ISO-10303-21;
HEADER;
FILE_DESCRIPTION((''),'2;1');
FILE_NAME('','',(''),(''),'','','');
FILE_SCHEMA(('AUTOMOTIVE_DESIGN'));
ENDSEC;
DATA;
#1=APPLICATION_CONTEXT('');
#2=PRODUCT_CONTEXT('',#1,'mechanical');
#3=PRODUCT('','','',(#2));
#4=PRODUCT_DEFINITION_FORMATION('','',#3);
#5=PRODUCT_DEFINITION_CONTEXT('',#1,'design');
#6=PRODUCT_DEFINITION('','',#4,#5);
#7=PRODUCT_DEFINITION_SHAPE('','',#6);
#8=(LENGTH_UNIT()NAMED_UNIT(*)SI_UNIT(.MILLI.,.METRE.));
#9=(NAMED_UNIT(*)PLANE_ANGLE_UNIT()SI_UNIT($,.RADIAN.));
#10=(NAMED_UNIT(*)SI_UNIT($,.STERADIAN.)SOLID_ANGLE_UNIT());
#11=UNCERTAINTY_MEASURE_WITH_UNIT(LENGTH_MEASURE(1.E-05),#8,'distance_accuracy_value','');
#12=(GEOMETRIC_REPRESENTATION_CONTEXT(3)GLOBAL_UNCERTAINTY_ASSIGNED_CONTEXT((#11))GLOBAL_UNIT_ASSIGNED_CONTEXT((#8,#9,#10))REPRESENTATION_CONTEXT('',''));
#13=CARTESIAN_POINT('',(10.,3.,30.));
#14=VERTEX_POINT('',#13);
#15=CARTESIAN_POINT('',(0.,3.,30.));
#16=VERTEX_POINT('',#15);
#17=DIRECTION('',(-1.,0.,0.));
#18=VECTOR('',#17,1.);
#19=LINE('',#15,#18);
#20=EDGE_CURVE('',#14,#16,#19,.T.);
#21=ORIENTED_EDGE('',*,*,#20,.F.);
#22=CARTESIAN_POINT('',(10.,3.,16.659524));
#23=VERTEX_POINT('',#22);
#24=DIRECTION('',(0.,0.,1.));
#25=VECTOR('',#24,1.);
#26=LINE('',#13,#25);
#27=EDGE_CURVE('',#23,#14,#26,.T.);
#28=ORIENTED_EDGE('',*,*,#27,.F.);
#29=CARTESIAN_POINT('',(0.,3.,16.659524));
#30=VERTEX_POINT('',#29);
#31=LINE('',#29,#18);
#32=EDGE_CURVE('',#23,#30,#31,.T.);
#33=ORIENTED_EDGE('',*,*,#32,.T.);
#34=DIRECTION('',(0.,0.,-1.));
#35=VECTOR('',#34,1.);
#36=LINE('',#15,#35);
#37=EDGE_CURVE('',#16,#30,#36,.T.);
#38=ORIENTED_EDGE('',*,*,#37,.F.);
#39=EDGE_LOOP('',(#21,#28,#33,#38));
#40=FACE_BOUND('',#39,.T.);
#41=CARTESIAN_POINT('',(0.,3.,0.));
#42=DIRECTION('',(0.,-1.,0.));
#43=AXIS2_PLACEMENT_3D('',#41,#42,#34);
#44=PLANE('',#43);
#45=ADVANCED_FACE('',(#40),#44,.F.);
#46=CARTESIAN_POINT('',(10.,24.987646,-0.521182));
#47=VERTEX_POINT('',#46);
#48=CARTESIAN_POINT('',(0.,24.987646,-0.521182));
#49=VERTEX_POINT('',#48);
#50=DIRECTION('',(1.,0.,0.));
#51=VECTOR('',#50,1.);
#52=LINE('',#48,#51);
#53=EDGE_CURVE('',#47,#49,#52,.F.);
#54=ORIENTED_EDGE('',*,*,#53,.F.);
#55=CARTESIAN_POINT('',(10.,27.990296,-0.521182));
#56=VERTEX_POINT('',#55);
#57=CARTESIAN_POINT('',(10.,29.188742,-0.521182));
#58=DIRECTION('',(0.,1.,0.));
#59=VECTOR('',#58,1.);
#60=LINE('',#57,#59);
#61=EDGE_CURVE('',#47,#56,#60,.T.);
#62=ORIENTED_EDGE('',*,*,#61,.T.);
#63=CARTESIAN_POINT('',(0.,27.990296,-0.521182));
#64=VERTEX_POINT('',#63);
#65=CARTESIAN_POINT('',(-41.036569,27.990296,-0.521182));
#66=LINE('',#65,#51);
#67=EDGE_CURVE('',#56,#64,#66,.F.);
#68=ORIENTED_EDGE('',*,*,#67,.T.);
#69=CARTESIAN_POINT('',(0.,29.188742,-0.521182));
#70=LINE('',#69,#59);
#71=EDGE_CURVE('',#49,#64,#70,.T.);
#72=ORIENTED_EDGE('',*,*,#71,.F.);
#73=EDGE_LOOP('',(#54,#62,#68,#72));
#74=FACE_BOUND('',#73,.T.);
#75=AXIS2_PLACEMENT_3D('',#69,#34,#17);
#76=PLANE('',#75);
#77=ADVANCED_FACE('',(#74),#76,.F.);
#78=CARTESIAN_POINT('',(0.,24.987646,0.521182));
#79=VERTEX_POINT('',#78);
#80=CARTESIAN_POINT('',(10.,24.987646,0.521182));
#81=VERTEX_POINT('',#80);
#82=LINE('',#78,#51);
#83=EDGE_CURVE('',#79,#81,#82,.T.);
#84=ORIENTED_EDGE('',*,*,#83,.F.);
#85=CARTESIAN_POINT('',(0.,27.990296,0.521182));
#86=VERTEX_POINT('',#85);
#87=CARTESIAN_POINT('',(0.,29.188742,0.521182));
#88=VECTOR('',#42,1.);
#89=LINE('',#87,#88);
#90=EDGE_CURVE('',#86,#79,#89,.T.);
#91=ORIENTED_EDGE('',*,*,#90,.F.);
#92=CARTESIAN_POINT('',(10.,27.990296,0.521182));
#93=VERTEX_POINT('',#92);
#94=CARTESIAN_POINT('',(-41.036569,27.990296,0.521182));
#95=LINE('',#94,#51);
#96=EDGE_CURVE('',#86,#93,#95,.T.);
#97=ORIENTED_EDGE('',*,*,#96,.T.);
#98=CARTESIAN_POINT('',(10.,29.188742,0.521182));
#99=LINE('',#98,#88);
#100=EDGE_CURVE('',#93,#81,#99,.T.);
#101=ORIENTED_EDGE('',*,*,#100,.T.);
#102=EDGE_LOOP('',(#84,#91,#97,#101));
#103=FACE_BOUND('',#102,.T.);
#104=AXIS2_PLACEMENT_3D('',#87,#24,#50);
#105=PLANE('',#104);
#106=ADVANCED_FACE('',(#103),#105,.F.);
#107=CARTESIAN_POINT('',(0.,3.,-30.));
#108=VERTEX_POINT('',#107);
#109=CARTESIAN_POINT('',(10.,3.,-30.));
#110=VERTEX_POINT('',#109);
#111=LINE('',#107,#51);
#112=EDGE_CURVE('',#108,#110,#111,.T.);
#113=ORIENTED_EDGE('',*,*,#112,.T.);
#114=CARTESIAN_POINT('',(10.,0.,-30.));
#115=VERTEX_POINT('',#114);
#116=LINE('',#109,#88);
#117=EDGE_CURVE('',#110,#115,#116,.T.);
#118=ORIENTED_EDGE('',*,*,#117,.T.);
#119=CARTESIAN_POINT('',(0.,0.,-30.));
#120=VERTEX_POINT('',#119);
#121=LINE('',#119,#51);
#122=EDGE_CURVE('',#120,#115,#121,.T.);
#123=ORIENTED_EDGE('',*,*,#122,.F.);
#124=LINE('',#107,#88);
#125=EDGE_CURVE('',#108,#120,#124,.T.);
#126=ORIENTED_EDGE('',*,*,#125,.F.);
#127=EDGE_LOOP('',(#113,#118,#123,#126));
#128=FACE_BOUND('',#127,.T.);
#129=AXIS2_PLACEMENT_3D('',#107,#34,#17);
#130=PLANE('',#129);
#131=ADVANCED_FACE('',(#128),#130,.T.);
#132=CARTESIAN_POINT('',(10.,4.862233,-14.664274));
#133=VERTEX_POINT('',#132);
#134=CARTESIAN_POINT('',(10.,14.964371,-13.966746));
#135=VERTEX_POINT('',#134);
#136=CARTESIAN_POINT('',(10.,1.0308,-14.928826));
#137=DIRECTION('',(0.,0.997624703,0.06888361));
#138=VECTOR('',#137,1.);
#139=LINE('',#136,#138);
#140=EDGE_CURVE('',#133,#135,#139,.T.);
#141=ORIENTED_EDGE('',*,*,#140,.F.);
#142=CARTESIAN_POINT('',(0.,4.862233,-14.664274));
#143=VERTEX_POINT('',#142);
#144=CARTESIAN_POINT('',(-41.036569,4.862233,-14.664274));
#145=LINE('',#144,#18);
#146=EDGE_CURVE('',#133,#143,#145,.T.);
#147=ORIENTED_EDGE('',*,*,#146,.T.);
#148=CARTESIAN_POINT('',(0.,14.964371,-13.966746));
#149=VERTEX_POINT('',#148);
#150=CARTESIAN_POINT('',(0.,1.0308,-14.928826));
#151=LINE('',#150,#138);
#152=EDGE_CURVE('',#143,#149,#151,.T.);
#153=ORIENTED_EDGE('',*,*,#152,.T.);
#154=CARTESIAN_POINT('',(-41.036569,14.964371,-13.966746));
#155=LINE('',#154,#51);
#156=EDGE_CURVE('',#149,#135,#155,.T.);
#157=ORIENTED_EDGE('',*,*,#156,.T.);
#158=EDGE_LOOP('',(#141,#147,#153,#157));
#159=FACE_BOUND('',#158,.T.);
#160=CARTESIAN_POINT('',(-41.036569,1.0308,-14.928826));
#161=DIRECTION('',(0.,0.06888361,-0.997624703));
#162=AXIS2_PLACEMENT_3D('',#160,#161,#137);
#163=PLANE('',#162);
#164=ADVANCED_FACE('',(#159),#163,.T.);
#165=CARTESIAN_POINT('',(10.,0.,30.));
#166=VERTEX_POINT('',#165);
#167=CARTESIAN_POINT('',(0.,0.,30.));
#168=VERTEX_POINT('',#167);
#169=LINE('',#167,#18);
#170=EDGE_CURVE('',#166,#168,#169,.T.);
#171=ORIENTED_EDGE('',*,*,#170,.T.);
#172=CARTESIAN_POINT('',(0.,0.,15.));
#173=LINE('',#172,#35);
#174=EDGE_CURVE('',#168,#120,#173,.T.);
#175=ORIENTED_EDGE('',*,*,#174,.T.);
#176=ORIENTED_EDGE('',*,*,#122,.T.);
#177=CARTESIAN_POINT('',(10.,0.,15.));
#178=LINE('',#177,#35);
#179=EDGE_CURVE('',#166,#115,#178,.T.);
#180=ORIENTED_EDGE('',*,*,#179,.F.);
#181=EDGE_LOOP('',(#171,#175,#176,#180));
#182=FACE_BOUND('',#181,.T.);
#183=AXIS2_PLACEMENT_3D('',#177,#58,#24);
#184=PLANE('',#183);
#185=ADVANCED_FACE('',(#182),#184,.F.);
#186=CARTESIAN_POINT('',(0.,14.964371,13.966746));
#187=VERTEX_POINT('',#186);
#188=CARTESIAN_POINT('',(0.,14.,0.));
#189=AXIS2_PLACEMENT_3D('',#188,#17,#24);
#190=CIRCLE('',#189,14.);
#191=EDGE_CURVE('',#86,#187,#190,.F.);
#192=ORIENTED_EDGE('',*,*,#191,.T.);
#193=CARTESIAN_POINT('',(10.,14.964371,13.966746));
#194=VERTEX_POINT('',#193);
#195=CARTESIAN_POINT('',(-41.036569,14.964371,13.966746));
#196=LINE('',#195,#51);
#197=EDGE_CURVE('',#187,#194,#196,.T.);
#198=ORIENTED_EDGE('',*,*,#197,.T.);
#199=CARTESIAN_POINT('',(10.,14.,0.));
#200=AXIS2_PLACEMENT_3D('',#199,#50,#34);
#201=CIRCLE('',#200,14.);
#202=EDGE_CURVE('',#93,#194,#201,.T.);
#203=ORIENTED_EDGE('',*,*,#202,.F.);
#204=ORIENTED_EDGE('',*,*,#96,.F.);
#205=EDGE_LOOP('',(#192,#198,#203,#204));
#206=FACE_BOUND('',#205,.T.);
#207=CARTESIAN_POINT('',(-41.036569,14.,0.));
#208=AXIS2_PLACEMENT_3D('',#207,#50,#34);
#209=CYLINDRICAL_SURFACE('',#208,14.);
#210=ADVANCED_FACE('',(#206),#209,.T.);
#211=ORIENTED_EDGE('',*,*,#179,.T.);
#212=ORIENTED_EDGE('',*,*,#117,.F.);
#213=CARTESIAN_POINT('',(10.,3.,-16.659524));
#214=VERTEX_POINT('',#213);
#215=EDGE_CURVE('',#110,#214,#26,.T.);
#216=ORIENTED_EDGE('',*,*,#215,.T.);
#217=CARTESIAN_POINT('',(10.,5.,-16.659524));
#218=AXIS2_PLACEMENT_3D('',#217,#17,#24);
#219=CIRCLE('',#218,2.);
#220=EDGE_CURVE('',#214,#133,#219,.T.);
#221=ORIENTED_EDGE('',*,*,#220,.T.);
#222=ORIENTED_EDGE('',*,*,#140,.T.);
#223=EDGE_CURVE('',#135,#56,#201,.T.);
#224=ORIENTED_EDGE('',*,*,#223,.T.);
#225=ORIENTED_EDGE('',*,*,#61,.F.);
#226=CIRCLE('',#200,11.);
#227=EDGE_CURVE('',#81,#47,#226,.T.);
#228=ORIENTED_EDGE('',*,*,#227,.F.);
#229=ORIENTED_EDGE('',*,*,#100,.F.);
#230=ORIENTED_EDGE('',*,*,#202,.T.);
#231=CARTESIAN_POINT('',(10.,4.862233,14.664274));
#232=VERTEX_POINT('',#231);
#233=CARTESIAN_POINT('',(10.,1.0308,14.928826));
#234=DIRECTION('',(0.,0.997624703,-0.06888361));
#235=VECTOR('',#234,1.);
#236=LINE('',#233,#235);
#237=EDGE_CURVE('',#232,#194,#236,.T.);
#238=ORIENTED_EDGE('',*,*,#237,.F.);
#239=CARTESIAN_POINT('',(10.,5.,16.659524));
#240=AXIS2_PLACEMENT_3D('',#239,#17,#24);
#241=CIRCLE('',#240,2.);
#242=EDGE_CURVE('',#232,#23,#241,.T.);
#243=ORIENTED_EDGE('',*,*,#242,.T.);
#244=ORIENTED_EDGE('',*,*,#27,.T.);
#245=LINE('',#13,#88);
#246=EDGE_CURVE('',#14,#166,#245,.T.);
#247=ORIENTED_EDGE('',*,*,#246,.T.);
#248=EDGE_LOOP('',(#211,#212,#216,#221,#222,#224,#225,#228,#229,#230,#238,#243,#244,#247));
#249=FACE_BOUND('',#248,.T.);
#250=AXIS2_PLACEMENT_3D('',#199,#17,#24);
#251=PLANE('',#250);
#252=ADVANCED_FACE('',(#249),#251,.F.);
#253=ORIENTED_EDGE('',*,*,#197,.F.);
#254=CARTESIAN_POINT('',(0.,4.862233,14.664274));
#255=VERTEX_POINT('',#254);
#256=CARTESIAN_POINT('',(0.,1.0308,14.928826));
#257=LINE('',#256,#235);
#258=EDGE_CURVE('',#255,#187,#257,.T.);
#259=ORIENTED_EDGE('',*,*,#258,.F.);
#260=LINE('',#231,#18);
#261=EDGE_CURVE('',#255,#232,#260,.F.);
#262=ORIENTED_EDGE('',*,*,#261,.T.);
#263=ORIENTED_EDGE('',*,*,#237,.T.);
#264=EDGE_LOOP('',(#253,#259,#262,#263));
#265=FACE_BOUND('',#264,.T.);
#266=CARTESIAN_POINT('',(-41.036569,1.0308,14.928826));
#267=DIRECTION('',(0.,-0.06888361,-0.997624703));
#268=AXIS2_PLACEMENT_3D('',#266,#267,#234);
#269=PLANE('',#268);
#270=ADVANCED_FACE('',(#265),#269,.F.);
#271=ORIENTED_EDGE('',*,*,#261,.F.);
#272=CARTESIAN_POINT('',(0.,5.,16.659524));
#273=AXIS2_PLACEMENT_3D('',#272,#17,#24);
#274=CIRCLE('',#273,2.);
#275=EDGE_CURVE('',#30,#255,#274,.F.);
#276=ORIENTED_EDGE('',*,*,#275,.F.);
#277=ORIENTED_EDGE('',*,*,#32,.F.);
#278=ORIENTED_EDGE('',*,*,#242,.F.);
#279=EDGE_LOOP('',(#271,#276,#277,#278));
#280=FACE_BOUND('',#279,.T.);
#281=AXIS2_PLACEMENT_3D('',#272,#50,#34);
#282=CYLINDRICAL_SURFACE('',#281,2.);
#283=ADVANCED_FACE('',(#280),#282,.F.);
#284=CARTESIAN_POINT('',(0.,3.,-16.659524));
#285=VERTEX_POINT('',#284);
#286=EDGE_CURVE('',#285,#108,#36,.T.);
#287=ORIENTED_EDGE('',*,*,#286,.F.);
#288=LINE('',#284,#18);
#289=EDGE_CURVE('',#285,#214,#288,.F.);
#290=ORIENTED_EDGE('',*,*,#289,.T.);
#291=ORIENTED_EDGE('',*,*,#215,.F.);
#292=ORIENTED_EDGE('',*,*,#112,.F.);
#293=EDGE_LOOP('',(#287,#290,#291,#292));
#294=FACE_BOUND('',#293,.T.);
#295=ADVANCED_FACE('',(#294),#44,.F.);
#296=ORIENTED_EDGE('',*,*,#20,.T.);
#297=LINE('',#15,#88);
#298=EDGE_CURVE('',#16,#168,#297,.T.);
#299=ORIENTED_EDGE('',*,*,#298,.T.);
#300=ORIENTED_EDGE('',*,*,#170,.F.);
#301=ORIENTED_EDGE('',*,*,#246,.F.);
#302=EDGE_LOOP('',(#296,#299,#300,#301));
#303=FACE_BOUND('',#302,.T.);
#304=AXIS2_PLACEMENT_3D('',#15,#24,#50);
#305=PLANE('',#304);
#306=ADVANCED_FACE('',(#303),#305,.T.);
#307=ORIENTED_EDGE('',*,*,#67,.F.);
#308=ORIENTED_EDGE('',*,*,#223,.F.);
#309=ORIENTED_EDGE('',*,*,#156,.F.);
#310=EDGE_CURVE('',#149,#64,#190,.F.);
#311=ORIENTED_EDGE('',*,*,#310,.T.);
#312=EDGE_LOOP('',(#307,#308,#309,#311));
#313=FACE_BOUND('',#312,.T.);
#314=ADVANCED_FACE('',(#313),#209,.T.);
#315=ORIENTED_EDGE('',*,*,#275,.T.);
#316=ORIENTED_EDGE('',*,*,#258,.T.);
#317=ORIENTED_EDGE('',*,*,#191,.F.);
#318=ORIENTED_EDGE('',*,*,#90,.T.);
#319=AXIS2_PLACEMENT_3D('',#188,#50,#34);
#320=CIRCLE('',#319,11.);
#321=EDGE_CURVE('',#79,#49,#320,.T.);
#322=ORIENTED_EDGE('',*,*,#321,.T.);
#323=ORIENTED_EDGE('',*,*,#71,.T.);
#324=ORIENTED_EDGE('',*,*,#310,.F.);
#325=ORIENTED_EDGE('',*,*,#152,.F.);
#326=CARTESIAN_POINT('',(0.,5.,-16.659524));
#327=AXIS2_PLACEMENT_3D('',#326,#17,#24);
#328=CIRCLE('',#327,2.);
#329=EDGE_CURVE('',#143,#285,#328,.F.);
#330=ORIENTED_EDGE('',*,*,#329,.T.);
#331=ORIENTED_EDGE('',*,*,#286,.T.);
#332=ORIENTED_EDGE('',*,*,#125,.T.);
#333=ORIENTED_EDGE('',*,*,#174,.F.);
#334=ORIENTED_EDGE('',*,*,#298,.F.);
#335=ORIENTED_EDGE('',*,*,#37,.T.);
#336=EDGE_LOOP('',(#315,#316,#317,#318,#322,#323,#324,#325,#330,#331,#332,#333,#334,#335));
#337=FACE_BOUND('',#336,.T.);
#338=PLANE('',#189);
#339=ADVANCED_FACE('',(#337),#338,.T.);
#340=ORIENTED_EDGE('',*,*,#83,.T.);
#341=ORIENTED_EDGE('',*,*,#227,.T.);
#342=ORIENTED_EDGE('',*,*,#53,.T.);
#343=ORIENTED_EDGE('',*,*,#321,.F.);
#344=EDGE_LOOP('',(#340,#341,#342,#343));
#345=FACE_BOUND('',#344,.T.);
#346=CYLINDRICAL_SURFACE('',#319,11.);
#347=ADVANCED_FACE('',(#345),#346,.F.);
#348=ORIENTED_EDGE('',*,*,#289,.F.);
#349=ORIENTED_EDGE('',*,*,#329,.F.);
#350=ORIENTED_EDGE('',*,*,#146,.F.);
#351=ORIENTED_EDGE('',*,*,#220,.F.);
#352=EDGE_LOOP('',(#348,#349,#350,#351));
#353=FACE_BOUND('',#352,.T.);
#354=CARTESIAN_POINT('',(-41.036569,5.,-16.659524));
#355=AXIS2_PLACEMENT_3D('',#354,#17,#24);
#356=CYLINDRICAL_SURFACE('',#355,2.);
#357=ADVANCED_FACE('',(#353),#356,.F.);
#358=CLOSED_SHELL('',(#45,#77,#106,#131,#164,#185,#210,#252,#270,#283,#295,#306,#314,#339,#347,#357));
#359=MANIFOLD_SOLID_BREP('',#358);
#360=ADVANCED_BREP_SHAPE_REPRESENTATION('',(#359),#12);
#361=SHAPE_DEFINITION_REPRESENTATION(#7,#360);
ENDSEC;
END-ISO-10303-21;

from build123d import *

# Parameters (mm, degrees)
BOSS_EXTRUDE1_DEPTH     = 10
BOSS_EXTRUDE3_DEPTH     = 10
SKETCH5_W               = 10
SKETCH5_H               = 60
BOSS_EXTRUDE4_DEPTH     = 3
FILLET2_R               = 2
SKETCH2_R               = 11
ENL_V_MAT_EXTRU_1_DEPTH = 11
ESQUISSE3_W             = 1.042364678
ESQUISSE3_H             = 5.062914153
ENL_V_MAT_EXTRU_2_DEPTH = 11


with BuildPart() as part:
    # Sketch1 → Boss-Extrude1 (new body)
    with BuildSketch(Plane(origin=(0, 0, 0), x_dir=(0, 0, -1), z_dir=(1, 0, 0))):
        with BuildLine():
            Line((-15, 0), (15, 0))
            Line((15, 0), (9.520917343, 17.058125725))
            ThreePointArc((9.520917343, 17.058125725), (0, 24), (-9.520917343, 17.058125725))
            Line((-9.520917343, 17.058125725), (-15, 0))
        make_face()
    extrude(amount=BOSS_EXTRUDE1_DEPTH)

    # Sketch4 → Boss-Extrude3 (add)
    with BuildSketch(Plane(origin=(10, 0, 0), x_dir=(0, 0, -1), z_dir=(1, 0, 0))):
        with BuildLine():
            Line((9.520917343, 17.058125725), (15, 0))
            Line((15, 0), (13.966745843, 14.964370546))
            ThreePointArc((13.966745843, 14.964370546), (0, 28), (-13.966745843, 14.964370546))
            Line((-13.966745843, 14.964370546), (-15, 0))
            Line((-15, 0), (-9.520917343, 17.058125725))
            ThreePointArc((-9.520917343, 17.058125725), (0, 24), (9.520917343, 17.058125725))
        make_face()
    extrude(amount=-BOSS_EXTRUDE3_DEPTH)

    # Sketch5 → Boss-Extrude4 (add)
    with BuildSketch(Plane.XZ):
        with Locations((5, 0)):
            Rectangle(SKETCH5_W, SKETCH5_H)
    extrude(amount=-BOSS_EXTRUDE4_DEPTH)

    # Fillet2
    fillet2_edges = [part.edges().sort_by_distance(p)[0] for p in [
        (5, 3, -14.792857143),
        (5, 3, 14.792857143),
    ]]
    fillet(fillet2_edges, radius=FILLET2_R)

    # Sketch2 → Enlèv. mat.-Extru.1 (cut, through all)
    with BuildSketch(Plane(origin=(10, 0, 0), x_dir=(0, 0, -1), z_dir=(1, 0, 0))):
        with Locations((0, 14)):
            Circle(SKETCH2_R)
    extrude(amount=-ENL_V_MAT_EXTRU_1_DEPTH, mode=Mode.SUBTRACT)

    # Esquisse3 → Enlèv. mat.-Extru.2 (cut, through all)
    with BuildSketch(Plane(origin=(10, 0, 0), x_dir=(0, 0, -1), z_dir=(1, 0, 0))):
        with Locations((0, 26.657285384)):
            Rectangle(ESQUISSE3_W, ESQUISSE3_H)
    extrude(amount=-ENL_V_MAT_EXTRU_2_DEPTH, mode=Mode.SUBTRACT)


solid = part.part
